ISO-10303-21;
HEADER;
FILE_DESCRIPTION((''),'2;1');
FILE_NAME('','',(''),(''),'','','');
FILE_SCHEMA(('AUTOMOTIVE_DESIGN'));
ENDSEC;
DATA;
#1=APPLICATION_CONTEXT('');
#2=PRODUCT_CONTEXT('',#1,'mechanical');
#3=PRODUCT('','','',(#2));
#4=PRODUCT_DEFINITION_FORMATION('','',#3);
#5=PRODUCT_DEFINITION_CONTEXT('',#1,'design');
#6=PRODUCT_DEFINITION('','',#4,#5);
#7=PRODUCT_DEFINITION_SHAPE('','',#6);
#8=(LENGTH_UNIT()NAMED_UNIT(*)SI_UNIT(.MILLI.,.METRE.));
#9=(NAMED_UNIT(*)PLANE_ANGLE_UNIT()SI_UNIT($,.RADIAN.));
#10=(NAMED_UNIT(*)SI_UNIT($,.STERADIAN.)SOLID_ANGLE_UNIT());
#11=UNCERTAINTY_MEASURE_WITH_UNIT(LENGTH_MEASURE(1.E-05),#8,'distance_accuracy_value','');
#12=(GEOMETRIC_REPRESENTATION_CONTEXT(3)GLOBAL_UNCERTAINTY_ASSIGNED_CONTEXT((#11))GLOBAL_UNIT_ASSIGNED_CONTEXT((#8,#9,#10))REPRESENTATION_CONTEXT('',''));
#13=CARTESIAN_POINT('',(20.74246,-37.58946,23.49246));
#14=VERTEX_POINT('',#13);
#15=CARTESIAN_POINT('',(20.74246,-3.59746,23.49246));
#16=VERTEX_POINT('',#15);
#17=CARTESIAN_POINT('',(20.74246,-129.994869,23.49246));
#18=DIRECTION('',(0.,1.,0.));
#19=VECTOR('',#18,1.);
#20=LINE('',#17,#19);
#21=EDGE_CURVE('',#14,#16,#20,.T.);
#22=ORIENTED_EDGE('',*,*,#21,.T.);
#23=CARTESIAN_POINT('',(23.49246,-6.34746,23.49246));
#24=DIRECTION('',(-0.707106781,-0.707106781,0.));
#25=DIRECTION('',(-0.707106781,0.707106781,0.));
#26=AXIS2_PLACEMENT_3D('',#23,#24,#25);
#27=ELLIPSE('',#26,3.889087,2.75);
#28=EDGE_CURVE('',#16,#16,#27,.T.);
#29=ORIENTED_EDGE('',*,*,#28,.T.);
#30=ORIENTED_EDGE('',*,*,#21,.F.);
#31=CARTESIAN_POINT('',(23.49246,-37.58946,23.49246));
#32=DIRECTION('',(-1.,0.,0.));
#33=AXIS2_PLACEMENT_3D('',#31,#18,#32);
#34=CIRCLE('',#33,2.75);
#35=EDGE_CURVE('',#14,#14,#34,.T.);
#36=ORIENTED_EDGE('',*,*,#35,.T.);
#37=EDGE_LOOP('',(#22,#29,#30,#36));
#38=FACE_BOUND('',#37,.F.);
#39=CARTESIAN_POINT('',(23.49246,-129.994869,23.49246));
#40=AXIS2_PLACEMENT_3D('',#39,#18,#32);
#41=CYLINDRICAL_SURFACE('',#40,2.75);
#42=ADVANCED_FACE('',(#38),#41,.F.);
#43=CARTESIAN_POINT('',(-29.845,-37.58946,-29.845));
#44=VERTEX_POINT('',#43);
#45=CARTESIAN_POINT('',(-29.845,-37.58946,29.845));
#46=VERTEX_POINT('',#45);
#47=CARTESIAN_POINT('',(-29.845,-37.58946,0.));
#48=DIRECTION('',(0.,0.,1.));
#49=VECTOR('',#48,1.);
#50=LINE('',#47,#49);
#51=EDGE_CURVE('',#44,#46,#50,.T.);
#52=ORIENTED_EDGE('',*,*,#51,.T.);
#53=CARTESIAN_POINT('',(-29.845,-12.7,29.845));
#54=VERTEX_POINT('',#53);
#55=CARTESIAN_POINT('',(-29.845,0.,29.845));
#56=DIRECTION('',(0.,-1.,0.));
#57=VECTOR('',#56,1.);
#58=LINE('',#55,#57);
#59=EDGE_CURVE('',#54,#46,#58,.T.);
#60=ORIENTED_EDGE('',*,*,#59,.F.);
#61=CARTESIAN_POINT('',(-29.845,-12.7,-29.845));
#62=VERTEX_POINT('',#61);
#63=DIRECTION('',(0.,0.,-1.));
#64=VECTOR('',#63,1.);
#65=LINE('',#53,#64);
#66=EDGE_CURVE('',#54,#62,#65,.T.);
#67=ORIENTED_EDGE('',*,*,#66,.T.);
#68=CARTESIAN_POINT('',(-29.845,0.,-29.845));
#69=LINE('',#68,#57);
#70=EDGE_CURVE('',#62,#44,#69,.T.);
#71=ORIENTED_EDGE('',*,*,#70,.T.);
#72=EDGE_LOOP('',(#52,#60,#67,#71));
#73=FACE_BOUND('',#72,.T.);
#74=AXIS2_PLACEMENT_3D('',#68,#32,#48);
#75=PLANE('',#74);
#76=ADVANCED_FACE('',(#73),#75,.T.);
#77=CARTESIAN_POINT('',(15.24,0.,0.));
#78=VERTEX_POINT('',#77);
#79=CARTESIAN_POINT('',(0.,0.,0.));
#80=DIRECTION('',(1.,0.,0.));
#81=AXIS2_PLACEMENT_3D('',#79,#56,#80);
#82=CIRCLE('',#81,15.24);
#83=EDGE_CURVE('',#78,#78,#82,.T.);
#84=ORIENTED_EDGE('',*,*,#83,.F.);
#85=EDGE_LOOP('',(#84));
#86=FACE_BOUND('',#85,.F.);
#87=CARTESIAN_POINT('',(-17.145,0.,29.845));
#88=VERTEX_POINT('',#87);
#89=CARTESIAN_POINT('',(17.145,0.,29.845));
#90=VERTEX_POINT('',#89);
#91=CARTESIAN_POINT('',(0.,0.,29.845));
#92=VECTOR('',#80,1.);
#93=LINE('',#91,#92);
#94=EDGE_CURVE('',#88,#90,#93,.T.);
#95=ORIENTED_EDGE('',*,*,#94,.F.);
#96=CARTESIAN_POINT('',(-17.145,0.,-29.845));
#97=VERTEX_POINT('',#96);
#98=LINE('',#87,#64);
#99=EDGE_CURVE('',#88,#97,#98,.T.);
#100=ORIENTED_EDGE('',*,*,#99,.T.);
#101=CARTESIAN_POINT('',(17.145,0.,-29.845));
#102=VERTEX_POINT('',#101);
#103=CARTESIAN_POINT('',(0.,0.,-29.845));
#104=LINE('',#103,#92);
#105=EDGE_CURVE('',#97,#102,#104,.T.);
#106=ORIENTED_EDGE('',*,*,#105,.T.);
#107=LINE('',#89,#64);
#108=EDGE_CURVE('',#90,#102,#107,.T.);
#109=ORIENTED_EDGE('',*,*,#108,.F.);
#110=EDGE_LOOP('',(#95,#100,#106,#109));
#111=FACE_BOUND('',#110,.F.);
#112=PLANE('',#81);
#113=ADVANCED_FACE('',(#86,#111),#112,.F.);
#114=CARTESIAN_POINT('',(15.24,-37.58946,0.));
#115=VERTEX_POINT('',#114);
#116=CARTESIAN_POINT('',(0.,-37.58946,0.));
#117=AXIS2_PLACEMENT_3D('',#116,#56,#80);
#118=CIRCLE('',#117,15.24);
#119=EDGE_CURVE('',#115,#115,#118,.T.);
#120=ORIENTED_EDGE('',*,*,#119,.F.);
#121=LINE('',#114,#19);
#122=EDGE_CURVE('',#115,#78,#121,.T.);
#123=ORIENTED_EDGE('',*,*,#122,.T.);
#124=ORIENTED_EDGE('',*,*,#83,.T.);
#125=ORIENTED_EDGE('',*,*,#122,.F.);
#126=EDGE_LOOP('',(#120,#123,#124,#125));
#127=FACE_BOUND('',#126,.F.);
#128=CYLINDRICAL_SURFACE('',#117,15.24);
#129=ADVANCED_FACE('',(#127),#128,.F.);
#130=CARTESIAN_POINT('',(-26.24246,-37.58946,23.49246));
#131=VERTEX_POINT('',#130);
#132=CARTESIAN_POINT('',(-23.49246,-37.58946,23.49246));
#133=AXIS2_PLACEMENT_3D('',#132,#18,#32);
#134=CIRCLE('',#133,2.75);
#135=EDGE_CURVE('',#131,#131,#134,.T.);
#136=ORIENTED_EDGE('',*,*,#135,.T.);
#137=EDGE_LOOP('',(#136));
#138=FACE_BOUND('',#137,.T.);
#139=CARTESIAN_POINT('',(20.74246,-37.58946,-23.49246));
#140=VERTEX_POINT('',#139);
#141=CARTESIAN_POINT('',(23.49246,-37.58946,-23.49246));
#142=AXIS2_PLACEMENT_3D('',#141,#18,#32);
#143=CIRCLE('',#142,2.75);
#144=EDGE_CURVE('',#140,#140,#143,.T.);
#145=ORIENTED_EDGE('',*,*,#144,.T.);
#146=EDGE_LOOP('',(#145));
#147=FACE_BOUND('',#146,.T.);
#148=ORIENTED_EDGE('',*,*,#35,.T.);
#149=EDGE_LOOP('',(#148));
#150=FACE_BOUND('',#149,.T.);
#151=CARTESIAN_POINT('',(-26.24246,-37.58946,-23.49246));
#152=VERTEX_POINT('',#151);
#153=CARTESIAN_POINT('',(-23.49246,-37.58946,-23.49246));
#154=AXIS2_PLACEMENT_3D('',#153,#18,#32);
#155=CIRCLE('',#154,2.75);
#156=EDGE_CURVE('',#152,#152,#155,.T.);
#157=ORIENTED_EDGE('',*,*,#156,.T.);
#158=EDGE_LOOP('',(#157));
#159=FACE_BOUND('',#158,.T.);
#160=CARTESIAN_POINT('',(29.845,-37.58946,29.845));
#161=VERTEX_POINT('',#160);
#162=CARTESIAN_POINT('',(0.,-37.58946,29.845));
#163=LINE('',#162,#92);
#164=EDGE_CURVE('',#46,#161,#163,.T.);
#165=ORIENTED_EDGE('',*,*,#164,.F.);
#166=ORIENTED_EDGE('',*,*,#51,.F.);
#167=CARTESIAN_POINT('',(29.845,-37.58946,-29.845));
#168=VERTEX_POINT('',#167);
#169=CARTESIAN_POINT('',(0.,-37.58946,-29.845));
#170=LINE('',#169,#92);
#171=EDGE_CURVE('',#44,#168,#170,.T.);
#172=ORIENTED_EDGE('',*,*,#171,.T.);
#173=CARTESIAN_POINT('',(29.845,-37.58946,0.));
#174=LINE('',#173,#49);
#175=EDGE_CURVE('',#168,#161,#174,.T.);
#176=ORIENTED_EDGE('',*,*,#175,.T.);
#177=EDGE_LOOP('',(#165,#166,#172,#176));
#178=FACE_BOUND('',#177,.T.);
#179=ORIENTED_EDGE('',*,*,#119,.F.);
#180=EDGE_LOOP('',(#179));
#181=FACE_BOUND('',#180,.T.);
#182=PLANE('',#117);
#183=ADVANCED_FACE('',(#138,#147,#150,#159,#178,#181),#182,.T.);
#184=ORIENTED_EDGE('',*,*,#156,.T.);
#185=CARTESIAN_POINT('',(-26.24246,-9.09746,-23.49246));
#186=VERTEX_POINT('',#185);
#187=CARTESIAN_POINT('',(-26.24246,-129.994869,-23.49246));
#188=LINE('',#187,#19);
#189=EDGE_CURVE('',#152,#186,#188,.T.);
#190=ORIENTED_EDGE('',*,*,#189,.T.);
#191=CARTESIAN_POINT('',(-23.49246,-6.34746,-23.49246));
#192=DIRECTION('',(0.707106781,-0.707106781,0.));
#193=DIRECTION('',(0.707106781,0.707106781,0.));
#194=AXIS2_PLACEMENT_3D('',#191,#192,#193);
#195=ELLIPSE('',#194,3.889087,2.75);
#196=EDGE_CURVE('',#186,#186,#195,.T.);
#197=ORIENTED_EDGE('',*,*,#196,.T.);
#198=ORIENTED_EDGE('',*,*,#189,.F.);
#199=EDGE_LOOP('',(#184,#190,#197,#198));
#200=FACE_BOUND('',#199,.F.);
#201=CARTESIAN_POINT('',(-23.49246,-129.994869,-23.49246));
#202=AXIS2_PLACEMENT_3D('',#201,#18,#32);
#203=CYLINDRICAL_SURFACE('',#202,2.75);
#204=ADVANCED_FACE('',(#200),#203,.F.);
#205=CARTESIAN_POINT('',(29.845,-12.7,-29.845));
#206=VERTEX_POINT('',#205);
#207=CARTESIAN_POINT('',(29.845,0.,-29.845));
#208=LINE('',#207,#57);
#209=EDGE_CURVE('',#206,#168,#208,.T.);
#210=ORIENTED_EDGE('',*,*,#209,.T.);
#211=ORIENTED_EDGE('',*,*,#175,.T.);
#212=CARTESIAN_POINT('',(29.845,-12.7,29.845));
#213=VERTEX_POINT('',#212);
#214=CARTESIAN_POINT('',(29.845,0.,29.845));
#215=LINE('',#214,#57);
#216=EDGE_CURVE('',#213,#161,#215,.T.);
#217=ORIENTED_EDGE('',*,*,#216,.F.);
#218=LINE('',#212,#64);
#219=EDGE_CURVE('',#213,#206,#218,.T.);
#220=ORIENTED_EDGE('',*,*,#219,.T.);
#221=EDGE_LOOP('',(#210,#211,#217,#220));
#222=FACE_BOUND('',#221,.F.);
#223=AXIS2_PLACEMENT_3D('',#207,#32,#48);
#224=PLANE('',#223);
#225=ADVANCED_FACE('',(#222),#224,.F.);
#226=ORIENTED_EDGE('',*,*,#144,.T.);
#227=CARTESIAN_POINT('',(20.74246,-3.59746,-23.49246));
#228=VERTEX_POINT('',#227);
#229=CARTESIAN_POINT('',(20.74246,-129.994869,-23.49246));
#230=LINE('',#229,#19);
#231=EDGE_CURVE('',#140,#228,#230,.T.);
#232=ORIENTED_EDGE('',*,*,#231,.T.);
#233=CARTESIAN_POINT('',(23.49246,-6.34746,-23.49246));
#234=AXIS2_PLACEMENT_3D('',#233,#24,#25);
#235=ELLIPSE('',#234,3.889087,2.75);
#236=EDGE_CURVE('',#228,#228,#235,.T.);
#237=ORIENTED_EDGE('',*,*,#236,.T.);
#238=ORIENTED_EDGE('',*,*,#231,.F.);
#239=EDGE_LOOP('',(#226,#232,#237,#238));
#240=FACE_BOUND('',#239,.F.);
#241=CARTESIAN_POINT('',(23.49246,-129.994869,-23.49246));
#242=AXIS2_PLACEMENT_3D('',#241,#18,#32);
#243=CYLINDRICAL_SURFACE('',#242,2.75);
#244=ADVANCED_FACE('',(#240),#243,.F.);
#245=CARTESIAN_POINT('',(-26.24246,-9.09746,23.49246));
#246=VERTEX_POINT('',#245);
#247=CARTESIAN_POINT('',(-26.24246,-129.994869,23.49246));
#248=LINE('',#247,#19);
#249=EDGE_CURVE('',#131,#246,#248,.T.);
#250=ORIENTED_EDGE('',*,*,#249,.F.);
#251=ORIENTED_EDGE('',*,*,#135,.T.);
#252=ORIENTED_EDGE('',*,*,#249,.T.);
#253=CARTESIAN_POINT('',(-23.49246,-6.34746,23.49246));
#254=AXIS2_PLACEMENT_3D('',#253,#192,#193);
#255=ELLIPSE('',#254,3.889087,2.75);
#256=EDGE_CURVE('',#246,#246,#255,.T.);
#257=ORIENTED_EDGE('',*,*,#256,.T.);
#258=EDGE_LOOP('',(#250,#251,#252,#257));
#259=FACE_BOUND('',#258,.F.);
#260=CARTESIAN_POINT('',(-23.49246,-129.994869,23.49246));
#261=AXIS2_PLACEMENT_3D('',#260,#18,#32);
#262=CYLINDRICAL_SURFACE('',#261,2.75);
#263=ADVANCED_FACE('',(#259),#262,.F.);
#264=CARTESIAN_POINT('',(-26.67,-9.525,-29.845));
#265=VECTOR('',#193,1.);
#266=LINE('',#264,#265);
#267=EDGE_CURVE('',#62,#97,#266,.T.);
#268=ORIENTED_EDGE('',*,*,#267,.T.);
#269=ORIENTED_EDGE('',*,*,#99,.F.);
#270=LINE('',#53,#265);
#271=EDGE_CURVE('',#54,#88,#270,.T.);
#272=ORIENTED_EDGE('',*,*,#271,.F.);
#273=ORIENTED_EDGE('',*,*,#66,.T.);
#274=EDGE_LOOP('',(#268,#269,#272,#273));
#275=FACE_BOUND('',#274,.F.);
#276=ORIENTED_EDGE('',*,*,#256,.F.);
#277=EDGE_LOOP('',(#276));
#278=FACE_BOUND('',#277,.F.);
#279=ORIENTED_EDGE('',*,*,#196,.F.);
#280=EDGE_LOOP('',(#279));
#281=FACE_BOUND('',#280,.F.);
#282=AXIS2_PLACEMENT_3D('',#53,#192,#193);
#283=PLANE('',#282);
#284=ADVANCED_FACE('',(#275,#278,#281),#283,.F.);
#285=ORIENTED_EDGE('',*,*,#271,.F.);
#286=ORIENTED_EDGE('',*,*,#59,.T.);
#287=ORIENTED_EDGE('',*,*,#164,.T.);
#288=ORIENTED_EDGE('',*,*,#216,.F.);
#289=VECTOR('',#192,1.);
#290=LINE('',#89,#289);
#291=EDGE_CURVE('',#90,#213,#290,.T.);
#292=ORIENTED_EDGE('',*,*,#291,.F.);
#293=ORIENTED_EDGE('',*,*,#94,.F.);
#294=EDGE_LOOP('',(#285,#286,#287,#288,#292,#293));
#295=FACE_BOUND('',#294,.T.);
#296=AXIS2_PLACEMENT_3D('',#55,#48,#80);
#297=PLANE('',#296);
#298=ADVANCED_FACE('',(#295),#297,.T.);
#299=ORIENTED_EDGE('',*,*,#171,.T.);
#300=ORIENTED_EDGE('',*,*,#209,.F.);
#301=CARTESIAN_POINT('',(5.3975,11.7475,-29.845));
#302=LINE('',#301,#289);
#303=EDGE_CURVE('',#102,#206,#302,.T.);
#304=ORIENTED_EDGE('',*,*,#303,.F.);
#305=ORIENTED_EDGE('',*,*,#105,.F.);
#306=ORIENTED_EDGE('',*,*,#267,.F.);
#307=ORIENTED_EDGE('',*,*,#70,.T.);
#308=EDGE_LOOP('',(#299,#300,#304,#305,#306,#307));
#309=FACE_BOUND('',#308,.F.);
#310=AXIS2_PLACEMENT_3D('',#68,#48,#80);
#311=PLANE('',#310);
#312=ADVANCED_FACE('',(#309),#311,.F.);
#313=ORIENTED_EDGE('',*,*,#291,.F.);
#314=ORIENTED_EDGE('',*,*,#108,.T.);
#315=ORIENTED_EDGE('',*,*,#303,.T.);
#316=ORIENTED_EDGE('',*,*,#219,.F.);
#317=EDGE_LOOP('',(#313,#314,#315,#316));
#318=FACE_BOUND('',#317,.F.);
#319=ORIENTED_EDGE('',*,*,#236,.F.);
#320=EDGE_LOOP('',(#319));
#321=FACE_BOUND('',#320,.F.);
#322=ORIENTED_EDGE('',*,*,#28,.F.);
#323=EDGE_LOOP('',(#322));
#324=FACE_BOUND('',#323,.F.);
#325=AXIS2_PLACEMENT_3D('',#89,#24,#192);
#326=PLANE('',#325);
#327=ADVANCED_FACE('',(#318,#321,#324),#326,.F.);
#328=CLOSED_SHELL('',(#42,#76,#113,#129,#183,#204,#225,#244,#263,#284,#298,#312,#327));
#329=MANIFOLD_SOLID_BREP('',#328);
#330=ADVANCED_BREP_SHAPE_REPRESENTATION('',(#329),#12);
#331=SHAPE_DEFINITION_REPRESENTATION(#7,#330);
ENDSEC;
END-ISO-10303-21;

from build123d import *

# Parameters (mm, degrees)
F0_W     = 59.69
F0_H     = 59.69
F1_DEPTH = 37.58946
F2_R     = 15.24
F3_DEPTH = 37.59046
F5_DEPTH = 59.691
F7_D     = 5.5


with BuildPart() as f1:
    # F0 (on Front) → F1 (new body)
    with BuildSketch(Plane.XZ):
        Rectangle(F0_W, F0_H)
    extrude(amount=F1_DEPTH)

    # F2 (on face) → F3 (cut, through all)
    with BuildSketch(Plane.XZ.offset(37.58946)):
        Circle(F2_R)
    extrude(amount=-F3_DEPTH, mode=Mode.SUBTRACT)

    # F4 (on face) → F5 (cut, through all)
    with BuildSketch(Plane.XY.offset(29.845)):
        Polygon((-29.845, -12.7), (-17.145, 0), (-29.845, 0), align=None)
        Polygon((29.845, -12.7), (29.845, 0), (17.145, 0), align=None)
    extrude(amount=-F5_DEPTH, mode=Mode.SUBTRACT)

    # F7 (through all)
    with Locations(Plane.XZ.offset(37.58946)):
        with Locations((-23.49246, 23.49246), (23.49246, 23.49246), (23.49246, -23.49246), (-23.49246, -23.49246)):
            Hole(F7_D / 2)


solid = f1.part
